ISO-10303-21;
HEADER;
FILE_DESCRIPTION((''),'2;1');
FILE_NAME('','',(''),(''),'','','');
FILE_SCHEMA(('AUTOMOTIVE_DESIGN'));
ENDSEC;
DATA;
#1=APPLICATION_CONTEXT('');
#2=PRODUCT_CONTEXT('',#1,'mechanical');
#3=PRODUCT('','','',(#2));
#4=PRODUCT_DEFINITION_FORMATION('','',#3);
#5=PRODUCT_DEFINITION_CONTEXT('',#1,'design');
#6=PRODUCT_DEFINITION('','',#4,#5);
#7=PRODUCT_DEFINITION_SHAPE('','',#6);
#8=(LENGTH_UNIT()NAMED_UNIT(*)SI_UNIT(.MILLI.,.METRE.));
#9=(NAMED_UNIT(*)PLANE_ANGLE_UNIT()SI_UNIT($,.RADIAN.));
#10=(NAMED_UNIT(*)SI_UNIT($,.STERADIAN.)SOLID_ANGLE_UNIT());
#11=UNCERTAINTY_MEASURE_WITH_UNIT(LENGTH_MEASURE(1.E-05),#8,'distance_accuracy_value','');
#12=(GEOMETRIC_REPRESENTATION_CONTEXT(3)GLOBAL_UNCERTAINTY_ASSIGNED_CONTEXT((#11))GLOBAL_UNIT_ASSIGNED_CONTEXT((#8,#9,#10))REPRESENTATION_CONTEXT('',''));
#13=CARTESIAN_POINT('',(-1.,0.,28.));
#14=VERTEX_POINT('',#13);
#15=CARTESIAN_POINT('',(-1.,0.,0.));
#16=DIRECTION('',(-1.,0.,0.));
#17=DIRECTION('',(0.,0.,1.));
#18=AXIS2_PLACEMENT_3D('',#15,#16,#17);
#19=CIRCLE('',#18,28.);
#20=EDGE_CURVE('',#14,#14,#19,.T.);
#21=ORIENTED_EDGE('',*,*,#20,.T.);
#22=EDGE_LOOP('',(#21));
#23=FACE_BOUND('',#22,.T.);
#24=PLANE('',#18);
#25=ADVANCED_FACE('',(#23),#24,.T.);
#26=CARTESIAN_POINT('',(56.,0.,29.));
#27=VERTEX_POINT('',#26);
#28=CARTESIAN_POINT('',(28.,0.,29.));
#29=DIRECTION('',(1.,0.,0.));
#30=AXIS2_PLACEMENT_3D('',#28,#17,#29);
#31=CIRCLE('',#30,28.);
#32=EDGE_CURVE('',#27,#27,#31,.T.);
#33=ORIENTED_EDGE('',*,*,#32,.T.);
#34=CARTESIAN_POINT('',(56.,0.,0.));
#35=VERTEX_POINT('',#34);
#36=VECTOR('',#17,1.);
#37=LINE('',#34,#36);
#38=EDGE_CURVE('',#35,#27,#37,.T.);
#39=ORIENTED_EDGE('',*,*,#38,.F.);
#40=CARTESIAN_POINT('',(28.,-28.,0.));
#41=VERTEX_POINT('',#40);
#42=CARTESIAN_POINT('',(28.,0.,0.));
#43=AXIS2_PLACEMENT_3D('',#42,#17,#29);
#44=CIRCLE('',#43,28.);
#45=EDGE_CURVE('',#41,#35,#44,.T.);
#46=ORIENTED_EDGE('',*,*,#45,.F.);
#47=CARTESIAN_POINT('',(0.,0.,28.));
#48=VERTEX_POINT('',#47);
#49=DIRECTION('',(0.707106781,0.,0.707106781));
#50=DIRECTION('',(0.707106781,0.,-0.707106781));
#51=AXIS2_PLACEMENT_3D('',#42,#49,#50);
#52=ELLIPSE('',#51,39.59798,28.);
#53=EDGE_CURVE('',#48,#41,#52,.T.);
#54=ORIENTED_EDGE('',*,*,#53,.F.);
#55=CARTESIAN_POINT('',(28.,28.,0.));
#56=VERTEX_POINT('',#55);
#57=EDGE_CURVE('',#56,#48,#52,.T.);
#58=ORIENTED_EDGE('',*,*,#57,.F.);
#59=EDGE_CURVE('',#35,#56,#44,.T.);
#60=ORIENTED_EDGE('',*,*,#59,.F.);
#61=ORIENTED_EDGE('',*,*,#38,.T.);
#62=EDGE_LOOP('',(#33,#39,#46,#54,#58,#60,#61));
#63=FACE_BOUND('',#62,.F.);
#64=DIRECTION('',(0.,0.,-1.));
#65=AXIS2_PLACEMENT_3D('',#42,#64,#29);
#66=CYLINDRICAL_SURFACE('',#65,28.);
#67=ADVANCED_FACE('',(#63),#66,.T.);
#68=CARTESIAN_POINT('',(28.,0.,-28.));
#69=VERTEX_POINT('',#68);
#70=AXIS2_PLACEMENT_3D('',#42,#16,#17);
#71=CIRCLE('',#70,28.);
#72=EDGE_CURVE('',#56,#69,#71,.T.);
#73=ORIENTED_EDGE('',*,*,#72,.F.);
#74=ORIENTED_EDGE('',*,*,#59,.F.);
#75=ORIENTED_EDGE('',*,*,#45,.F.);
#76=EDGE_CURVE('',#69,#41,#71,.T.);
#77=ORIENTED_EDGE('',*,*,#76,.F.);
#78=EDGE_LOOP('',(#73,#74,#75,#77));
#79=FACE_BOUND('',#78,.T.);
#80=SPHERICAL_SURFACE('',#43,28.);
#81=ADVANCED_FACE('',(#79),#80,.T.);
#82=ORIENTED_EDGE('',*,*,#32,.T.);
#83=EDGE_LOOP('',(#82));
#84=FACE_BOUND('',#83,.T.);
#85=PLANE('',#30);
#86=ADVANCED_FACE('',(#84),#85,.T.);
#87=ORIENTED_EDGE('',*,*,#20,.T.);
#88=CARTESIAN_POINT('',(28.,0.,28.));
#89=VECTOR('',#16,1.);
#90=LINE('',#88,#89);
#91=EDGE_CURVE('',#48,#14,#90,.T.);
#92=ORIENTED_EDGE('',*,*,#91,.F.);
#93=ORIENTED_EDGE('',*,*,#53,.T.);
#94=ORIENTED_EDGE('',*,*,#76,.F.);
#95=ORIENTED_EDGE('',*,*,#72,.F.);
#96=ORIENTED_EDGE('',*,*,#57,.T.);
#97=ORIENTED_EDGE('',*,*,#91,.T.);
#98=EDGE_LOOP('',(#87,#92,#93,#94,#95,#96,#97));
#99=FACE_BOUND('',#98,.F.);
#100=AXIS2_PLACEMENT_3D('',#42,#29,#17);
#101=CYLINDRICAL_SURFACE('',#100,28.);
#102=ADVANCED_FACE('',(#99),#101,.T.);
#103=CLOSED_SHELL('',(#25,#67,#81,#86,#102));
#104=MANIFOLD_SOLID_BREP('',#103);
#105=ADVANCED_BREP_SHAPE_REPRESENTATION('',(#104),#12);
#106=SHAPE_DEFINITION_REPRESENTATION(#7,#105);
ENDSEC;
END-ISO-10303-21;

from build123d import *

# Parameters (mm, degrees)
CYLINDER_R        = 28
CYLINDER_DEPTH    = 29
CYLINDER001_R     = 28
CYLINDER001_DEPTH = 29


with BuildPart() as cylinder:
    # Cylinder → Cylinder (new body)
    with BuildSketch(Plane(origin=(28, 0, 0), x_dir=(1, 0, 0), z_dir=(0, 0, 1))):
        Circle(CYLINDER_R)
    extrude(amount=CYLINDER_DEPTH)


with BuildPart() as sphere:
    # Sphere → Sphere (revolve)
    with BuildSketch(Plane(origin=(28, 0, 0), x_dir=(1, 0, 0), z_dir=(0, -1, 0))):
        with BuildLine():
            ThreePointArc((0, -28), (28, 0), (0, 28))
            Line((0, 28), (0, -28))
        make_face()
    revolve(axis=Axis((28, 0, 0), (0, 0, 1)))


with BuildPart() as fusion:
    # Cylinder001 → Cylinder001 (new body)
    with BuildSketch(Plane.ZY.offset(-28)):
        Circle(CYLINDER001_R)
    extrude(amount=CYLINDER001_DEPTH)

    # Fusion: union Cylinder, Sphere
    add(cylinder.part)
    add(sphere.part)


solid = fusion.part
